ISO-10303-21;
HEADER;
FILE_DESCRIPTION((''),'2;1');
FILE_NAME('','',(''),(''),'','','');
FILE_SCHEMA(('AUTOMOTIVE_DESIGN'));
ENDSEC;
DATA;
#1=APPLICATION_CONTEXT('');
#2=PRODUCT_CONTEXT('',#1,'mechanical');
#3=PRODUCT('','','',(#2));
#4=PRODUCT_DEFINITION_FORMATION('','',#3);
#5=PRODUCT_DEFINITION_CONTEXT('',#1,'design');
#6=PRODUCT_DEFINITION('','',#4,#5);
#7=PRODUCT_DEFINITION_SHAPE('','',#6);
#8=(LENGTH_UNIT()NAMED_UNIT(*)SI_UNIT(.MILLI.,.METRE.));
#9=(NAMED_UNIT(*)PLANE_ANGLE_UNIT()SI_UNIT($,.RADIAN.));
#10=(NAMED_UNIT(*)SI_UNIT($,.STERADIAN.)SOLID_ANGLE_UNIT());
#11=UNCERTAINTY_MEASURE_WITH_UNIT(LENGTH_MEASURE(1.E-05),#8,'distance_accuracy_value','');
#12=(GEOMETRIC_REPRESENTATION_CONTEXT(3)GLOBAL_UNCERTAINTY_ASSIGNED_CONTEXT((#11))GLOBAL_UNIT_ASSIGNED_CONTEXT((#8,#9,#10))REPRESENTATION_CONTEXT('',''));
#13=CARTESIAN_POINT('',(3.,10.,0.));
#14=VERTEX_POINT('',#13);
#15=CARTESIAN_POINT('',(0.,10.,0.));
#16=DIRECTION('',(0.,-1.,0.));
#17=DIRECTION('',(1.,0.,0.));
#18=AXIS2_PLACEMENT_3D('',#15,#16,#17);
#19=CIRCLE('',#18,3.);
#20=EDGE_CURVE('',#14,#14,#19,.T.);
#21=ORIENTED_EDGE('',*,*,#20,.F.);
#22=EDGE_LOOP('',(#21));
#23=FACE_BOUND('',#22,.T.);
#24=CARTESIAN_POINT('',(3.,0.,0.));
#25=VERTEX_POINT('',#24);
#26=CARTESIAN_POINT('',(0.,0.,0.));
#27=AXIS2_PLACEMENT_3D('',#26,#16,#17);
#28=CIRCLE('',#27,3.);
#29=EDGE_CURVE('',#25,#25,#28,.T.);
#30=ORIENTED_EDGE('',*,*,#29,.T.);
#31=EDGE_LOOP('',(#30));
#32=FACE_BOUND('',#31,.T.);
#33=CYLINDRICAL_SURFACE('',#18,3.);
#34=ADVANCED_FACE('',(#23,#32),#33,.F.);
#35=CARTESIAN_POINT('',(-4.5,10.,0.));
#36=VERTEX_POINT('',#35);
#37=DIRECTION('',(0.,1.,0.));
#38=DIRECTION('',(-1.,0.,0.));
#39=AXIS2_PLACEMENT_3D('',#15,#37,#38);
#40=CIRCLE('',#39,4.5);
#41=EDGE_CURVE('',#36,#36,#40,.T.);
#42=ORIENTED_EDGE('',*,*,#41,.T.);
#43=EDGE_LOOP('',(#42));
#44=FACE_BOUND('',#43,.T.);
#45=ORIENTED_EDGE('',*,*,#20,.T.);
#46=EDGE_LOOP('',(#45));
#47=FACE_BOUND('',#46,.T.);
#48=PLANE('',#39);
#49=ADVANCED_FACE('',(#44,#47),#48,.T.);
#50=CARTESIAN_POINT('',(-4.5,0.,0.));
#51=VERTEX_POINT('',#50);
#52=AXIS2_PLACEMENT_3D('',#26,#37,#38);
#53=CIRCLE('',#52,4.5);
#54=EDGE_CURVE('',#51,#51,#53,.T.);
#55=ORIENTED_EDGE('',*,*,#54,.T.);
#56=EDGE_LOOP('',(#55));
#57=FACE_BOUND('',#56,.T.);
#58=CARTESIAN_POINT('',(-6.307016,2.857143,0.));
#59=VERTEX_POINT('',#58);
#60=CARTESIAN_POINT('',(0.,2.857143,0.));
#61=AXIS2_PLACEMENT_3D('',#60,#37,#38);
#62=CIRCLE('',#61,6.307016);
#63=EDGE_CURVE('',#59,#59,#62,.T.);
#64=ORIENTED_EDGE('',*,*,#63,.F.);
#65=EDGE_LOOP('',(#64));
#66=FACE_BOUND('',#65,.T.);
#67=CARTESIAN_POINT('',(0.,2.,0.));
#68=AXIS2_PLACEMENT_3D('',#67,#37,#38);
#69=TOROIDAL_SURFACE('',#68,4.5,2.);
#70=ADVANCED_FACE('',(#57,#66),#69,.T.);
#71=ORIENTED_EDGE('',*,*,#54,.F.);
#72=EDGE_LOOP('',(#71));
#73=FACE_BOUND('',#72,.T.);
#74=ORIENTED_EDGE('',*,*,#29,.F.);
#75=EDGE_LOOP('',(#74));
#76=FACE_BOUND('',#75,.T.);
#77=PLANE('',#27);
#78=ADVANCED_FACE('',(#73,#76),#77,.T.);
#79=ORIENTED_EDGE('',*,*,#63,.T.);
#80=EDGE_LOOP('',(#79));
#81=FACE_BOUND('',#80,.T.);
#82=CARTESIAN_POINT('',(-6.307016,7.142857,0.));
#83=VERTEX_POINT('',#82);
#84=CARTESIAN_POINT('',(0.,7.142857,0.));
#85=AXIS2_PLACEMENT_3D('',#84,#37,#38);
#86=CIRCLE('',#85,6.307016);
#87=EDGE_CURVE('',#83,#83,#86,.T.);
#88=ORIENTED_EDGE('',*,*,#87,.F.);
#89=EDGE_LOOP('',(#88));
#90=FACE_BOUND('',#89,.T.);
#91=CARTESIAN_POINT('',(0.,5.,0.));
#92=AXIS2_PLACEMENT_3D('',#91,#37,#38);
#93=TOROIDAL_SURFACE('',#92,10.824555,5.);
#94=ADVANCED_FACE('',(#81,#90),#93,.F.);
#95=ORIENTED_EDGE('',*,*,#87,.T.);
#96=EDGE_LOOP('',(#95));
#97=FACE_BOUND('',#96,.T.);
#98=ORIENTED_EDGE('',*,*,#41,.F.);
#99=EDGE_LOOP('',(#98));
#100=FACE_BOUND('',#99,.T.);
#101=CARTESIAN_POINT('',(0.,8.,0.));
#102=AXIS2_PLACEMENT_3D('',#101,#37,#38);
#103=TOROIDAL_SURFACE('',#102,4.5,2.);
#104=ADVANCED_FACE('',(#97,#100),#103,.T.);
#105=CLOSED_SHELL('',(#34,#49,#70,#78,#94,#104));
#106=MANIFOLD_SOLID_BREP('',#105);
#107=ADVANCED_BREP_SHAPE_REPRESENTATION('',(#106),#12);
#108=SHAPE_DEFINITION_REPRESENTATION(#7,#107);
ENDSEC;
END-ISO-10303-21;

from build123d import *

# Parameters (mm, degrees)
ESBO_O2_R             = 3
CORTE_EXTRUS_O1_DEPTH = 14.583077877


with BuildPart() as part:
    # Esboço1 → Revolução1 (revolve)
    with BuildSketch(Plane.XY):
        with BuildLine():
            Line((0, 0), (-4.5, 0))
            ThreePointArc((-4.5, 0), (-6.190308509, 0.930955032), (-6.307015806, 2.857142857))
            ThreePointArc((-6.307015806, 2.857142857), (-5.82455532, 5), (-6.307015806, 7.142857143))
            ThreePointArc((-6.307015806, 7.142857143), (-6.190308509, 9.069044968), (-4.5, 10))
            Line((-4.5, 10), (0, 10))
            Line((0, 10), (0, 0))
        make_face()
    revolve(axis=Axis((0, 10, 0), (0, -1, 0)))

    # Esboço2 → Corte-extrusão1 (cut, through all)
    with BuildSketch(Plane.XZ):
        Circle(ESBO_O2_R)
    extrude(amount=-CORTE_EXTRUS_O1_DEPTH, mode=Mode.SUBTRACT)


solid = part.part
